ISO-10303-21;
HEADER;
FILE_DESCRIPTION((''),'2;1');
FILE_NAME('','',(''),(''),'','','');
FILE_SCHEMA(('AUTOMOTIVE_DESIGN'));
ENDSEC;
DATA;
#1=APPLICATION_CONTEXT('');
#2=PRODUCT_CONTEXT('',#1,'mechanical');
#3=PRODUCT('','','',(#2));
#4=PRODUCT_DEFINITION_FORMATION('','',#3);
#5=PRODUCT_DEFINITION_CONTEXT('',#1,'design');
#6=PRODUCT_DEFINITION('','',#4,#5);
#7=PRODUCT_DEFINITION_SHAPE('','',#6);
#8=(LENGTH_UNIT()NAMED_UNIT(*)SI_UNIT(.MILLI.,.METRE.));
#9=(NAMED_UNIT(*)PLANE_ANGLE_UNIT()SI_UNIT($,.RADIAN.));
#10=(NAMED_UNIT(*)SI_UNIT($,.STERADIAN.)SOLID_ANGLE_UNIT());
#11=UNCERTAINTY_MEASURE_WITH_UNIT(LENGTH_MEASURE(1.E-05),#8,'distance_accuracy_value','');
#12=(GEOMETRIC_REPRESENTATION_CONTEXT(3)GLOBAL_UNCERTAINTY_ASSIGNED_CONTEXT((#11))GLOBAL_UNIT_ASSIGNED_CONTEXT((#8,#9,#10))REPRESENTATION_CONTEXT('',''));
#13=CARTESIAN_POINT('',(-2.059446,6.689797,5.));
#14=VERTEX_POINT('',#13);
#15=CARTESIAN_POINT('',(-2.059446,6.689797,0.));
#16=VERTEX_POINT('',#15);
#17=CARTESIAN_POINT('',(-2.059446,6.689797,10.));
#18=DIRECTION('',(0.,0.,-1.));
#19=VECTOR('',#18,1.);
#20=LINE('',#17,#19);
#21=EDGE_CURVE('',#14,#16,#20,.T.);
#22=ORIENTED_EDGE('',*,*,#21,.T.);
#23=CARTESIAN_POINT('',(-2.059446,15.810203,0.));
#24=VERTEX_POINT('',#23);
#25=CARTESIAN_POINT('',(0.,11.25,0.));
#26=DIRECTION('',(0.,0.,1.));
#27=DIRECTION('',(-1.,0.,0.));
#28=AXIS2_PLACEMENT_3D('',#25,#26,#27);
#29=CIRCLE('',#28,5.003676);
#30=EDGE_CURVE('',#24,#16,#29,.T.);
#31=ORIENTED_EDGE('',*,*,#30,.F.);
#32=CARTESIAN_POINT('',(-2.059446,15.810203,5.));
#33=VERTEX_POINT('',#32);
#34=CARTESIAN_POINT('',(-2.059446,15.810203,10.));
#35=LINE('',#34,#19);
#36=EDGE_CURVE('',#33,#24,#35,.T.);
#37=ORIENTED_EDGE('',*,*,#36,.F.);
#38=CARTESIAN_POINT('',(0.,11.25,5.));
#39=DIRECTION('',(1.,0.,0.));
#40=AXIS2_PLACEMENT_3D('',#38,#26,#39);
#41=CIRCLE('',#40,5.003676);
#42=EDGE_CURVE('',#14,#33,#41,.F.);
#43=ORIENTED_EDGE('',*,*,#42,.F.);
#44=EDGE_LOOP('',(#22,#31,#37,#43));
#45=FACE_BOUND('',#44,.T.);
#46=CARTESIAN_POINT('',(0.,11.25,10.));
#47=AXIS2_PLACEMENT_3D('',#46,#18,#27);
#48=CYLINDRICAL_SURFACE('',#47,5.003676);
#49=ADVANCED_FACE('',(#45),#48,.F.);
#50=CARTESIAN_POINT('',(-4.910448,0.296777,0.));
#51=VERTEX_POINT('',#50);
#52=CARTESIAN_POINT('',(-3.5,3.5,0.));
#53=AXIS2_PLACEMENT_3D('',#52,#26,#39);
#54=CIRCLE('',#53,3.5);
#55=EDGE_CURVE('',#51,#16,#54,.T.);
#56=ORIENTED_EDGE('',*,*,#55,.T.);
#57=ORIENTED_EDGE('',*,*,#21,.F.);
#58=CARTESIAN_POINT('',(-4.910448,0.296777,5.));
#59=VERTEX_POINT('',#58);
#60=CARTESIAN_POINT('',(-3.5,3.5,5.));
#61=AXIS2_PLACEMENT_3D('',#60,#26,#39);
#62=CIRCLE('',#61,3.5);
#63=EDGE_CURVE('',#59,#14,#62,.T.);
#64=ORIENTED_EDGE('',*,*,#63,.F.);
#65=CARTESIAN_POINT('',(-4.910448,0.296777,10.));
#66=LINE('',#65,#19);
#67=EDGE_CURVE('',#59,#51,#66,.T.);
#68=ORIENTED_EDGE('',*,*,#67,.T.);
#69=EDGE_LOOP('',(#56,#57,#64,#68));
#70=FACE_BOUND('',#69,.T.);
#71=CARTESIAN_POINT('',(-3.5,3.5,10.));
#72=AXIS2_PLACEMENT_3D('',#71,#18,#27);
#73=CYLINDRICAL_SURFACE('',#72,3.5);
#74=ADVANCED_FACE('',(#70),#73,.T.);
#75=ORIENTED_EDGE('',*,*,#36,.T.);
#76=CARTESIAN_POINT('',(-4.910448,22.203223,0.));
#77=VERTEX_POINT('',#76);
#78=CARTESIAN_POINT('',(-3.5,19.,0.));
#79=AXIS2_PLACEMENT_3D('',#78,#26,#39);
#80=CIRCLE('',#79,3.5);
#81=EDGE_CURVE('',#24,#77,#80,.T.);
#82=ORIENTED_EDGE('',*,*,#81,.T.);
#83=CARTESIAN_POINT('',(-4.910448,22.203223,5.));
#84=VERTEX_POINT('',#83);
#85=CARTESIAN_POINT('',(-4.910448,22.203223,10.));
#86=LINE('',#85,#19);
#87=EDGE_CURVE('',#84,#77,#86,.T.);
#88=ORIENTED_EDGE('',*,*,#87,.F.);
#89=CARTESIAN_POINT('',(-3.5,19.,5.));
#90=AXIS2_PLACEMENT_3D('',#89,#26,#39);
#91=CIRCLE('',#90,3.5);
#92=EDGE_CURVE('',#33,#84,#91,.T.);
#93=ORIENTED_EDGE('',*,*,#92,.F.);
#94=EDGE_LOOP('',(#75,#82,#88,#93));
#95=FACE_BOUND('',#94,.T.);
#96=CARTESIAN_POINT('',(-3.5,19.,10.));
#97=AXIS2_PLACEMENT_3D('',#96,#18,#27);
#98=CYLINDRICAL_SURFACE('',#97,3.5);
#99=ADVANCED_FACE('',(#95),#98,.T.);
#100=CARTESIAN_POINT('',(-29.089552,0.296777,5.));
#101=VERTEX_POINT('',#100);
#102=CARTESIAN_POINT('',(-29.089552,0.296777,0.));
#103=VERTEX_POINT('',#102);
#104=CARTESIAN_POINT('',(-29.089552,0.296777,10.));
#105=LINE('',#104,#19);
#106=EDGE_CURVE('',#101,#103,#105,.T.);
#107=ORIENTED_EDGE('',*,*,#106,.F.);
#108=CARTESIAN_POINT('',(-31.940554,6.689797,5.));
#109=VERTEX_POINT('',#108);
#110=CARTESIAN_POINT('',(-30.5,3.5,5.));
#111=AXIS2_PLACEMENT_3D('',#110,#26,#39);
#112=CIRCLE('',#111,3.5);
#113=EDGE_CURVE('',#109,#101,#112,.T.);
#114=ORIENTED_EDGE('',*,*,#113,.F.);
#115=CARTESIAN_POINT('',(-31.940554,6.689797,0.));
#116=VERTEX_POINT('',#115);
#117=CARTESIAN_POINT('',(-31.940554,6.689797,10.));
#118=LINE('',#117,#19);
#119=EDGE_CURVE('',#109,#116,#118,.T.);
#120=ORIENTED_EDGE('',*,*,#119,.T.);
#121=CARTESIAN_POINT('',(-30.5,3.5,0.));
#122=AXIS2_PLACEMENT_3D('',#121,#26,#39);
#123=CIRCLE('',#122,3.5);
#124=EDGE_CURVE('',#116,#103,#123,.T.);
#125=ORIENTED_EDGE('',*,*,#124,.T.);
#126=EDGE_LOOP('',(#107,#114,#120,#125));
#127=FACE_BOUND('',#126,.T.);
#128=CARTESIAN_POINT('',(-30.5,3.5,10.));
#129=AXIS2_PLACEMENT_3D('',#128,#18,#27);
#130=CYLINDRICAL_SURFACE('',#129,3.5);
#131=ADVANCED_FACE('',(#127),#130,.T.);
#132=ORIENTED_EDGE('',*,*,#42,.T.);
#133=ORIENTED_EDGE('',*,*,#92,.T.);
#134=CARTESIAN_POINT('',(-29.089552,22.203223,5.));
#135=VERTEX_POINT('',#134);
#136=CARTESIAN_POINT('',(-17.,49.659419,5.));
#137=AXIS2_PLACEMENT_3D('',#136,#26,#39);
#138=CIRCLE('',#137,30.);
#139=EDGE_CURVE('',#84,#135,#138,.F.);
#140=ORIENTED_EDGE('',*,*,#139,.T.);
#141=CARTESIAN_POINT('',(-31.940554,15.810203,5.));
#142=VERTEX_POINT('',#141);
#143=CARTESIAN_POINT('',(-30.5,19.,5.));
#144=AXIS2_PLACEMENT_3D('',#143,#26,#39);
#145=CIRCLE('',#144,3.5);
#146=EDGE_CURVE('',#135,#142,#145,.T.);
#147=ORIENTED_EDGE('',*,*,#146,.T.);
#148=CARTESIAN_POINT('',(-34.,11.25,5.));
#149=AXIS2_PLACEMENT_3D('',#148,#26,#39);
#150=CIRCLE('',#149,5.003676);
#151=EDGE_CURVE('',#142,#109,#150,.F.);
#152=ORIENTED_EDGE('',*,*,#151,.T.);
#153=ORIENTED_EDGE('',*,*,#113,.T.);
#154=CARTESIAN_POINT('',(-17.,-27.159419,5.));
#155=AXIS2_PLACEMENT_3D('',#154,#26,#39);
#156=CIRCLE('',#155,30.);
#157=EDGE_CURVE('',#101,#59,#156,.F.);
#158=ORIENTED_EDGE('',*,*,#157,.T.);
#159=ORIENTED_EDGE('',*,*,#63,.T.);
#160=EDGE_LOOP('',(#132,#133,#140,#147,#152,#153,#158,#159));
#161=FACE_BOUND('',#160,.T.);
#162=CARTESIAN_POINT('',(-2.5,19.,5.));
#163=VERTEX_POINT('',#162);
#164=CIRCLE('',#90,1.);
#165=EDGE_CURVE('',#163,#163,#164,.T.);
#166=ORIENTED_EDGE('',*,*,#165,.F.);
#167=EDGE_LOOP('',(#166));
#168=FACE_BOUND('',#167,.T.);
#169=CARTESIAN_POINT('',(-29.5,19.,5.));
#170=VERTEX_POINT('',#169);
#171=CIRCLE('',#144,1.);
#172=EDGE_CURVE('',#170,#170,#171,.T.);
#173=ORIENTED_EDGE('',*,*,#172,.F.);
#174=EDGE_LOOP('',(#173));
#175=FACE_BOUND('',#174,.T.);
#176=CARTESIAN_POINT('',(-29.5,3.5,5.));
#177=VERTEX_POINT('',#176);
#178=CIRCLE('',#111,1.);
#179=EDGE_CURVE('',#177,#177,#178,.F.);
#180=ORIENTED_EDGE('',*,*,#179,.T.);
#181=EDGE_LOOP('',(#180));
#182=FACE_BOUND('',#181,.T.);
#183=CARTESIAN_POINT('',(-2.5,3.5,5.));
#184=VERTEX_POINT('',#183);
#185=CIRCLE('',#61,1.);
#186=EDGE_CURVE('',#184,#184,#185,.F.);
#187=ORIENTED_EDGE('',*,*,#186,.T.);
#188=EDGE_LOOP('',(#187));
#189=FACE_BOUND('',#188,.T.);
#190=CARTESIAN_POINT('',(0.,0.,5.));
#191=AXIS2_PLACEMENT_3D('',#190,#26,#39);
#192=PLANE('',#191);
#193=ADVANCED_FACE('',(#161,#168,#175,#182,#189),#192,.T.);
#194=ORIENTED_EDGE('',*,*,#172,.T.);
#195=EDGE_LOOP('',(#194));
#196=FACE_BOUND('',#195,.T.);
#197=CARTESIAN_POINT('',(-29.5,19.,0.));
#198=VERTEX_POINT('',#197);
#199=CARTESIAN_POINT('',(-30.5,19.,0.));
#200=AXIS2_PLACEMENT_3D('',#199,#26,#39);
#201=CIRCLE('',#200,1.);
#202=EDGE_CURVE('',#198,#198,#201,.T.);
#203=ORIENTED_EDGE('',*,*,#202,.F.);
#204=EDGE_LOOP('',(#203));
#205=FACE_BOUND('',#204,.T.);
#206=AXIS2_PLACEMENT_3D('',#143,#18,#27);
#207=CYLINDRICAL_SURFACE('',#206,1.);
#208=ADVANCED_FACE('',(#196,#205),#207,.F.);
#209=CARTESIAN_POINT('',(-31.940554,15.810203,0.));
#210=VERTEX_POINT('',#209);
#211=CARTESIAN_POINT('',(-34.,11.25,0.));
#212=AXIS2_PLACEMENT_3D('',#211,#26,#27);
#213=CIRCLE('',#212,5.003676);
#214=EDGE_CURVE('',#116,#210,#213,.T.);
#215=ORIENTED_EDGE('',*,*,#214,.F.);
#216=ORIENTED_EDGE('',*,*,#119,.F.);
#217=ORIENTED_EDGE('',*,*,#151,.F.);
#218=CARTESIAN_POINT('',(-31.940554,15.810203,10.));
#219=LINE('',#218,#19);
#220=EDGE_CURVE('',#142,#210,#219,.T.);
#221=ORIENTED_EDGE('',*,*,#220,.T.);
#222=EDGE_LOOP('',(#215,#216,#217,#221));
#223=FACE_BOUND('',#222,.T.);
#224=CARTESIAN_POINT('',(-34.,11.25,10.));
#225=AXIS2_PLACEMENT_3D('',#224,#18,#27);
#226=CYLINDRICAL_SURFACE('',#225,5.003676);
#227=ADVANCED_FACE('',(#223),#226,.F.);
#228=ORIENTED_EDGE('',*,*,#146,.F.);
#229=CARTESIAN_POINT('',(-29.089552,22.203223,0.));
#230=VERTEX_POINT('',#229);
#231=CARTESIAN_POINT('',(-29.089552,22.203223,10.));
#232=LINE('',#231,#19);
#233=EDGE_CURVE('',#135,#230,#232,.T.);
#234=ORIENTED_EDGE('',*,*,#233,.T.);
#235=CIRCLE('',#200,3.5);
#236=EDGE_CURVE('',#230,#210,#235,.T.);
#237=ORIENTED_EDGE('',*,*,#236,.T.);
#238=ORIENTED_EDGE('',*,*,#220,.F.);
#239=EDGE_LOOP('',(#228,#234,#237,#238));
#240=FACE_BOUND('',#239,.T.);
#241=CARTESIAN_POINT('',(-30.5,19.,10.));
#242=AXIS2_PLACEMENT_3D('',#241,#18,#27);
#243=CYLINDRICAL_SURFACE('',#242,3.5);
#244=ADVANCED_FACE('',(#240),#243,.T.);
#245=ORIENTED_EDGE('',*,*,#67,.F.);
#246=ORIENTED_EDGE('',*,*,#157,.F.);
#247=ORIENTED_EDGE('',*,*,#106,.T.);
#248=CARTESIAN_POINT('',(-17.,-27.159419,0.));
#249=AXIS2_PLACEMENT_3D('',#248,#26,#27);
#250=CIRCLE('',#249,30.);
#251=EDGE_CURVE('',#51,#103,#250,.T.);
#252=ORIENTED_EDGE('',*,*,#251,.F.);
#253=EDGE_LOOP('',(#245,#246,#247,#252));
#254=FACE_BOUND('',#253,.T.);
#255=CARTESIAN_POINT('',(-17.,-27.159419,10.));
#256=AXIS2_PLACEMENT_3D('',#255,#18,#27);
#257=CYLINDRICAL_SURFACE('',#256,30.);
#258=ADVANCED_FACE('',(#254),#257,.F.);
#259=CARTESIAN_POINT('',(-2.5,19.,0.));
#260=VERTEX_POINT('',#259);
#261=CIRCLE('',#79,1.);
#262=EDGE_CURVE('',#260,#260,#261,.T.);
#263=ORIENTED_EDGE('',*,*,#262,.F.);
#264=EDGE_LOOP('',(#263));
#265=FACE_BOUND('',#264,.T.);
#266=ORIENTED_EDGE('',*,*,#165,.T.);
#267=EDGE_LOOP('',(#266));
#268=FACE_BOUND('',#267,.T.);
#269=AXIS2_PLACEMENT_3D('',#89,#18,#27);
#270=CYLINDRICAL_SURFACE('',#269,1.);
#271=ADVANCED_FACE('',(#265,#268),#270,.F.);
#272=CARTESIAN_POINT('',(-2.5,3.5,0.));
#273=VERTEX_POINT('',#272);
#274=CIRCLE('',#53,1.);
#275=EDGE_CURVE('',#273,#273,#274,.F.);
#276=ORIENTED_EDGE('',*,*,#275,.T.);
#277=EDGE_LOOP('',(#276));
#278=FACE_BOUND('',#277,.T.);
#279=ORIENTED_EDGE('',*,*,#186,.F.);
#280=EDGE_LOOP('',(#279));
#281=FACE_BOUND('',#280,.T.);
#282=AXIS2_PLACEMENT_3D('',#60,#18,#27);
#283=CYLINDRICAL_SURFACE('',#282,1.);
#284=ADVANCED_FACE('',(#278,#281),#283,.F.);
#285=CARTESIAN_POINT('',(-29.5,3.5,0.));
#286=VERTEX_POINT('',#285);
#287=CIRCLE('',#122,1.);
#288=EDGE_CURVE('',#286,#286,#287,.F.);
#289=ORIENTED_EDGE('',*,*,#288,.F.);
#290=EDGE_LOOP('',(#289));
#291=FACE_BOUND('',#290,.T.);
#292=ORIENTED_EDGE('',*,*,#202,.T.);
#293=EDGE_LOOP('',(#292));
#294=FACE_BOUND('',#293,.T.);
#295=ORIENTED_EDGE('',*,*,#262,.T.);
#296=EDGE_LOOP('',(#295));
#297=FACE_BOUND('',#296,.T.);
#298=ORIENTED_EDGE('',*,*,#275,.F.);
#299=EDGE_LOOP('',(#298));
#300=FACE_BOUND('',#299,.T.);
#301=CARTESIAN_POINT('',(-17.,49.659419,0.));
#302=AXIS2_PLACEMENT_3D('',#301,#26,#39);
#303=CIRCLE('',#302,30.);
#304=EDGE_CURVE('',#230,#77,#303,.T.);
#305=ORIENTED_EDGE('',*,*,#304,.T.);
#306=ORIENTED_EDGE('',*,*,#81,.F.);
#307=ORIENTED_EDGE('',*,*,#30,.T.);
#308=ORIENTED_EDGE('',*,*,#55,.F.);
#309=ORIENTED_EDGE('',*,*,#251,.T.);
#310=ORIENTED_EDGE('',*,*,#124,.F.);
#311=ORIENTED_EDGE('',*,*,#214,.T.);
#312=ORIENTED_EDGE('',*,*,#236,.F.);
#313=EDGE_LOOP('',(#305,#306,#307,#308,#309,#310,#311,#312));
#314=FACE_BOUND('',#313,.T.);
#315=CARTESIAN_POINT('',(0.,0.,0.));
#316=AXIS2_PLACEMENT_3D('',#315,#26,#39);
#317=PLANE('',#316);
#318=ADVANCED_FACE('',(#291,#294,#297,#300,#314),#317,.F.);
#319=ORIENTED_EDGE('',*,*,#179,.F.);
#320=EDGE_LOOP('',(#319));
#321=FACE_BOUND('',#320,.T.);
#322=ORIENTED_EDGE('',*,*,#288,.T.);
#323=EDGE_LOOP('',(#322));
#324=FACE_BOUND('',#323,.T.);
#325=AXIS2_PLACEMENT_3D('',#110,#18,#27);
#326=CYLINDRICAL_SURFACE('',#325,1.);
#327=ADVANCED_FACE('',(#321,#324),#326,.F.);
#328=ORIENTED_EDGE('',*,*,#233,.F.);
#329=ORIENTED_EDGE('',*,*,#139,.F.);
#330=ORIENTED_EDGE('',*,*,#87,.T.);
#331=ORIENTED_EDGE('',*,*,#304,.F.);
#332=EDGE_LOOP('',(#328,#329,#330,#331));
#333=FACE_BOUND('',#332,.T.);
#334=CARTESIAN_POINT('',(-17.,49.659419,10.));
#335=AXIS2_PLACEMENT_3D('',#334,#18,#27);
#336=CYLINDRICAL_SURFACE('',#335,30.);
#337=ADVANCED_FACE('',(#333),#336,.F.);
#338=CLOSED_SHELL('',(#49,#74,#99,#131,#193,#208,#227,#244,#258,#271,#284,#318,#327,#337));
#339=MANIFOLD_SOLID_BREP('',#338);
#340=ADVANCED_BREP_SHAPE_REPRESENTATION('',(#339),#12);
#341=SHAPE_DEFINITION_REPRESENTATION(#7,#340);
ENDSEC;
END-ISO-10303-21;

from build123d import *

# Parameters (mm, degrees)
ESQUISSE1_W        = 34
ESQUISSE1_H        = 22.5
ESQUISSE1_R        = 1
BOSS_EXTRU_1_DEPTH = 5
CUT_EXTRUDE1_DEPTH = 10


with BuildPart() as part:
    # Esquisse1 → Boss.-Extru.1 (new body)
    with BuildSketch(Plane.XY):
        with Locations((-17, 11.25)):
            Rectangle(ESQUISSE1_W, ESQUISSE1_H)
        with Locations((-30.5, 19)):
            Circle(ESQUISSE1_R, mode=Mode.SUBTRACT)
        with Locations((-3.5, 19)):
            Circle(ESQUISSE1_R, mode=Mode.SUBTRACT)
        with Locations((-3.5, 3.5)):
            Circle(ESQUISSE1_R, mode=Mode.SUBTRACT)
        with Locations((-30.5, 3.5)):
            Circle(ESQUISSE1_R, mode=Mode.SUBTRACT)
    extrude(amount=BOSS_EXTRU_1_DEPTH)

    # Sketch1 → Cut-Extrude1 (cut)
    with BuildSketch(Plane(origin=(0, 0, 0), x_dir=(-1, 0, 0), z_dir=(0, 0, -1))):
        Polygon((35.959040793, 25.036749556), (37.525504355, -3.285522646), (-6.460348748, -5.71831602), (-8.02681231, 22.603956182), align=None)
        with BuildLine():
            ThreePointArc((31.940553528, 15.810202901), (33.696545455, 20.425516451), (29.089552239, 22.203222926))
            ThreePointArc((29.089552239, 22.203222926), (17, 19.659419434), (4.910447761, 22.203222926))
            ThreePointArc((4.910447761, 22.203222926), (0.303454545, 20.425516451), (2.059446472, 15.810202901))
            ThreePointArc((2.059446472, 15.810202901), (5.003675676, 11.25), (2.059446472, 6.689797099))
            ThreePointArc((2.059446472, 6.689797099), (0.303454545, 2.074483549), (4.910447761, 0.296777074))
            ThreePointArc((4.910447761, 0.296777074), (17, 2.840580566), (29.089552239, 0.296777074))
            ThreePointArc((29.089552239, 0.296777074), (33.696545455, 2.074483549), (31.940553528, 6.689797099))
            ThreePointArc((31.940553528, 6.689797099), (28.996324324, 11.25), (31.940553528, 15.810202901))
        make_face(mode=Mode.SUBTRACT)
    extrude(amount=-CUT_EXTRUDE1_DEPTH, mode=Mode.SUBTRACT)


solid = part.part
